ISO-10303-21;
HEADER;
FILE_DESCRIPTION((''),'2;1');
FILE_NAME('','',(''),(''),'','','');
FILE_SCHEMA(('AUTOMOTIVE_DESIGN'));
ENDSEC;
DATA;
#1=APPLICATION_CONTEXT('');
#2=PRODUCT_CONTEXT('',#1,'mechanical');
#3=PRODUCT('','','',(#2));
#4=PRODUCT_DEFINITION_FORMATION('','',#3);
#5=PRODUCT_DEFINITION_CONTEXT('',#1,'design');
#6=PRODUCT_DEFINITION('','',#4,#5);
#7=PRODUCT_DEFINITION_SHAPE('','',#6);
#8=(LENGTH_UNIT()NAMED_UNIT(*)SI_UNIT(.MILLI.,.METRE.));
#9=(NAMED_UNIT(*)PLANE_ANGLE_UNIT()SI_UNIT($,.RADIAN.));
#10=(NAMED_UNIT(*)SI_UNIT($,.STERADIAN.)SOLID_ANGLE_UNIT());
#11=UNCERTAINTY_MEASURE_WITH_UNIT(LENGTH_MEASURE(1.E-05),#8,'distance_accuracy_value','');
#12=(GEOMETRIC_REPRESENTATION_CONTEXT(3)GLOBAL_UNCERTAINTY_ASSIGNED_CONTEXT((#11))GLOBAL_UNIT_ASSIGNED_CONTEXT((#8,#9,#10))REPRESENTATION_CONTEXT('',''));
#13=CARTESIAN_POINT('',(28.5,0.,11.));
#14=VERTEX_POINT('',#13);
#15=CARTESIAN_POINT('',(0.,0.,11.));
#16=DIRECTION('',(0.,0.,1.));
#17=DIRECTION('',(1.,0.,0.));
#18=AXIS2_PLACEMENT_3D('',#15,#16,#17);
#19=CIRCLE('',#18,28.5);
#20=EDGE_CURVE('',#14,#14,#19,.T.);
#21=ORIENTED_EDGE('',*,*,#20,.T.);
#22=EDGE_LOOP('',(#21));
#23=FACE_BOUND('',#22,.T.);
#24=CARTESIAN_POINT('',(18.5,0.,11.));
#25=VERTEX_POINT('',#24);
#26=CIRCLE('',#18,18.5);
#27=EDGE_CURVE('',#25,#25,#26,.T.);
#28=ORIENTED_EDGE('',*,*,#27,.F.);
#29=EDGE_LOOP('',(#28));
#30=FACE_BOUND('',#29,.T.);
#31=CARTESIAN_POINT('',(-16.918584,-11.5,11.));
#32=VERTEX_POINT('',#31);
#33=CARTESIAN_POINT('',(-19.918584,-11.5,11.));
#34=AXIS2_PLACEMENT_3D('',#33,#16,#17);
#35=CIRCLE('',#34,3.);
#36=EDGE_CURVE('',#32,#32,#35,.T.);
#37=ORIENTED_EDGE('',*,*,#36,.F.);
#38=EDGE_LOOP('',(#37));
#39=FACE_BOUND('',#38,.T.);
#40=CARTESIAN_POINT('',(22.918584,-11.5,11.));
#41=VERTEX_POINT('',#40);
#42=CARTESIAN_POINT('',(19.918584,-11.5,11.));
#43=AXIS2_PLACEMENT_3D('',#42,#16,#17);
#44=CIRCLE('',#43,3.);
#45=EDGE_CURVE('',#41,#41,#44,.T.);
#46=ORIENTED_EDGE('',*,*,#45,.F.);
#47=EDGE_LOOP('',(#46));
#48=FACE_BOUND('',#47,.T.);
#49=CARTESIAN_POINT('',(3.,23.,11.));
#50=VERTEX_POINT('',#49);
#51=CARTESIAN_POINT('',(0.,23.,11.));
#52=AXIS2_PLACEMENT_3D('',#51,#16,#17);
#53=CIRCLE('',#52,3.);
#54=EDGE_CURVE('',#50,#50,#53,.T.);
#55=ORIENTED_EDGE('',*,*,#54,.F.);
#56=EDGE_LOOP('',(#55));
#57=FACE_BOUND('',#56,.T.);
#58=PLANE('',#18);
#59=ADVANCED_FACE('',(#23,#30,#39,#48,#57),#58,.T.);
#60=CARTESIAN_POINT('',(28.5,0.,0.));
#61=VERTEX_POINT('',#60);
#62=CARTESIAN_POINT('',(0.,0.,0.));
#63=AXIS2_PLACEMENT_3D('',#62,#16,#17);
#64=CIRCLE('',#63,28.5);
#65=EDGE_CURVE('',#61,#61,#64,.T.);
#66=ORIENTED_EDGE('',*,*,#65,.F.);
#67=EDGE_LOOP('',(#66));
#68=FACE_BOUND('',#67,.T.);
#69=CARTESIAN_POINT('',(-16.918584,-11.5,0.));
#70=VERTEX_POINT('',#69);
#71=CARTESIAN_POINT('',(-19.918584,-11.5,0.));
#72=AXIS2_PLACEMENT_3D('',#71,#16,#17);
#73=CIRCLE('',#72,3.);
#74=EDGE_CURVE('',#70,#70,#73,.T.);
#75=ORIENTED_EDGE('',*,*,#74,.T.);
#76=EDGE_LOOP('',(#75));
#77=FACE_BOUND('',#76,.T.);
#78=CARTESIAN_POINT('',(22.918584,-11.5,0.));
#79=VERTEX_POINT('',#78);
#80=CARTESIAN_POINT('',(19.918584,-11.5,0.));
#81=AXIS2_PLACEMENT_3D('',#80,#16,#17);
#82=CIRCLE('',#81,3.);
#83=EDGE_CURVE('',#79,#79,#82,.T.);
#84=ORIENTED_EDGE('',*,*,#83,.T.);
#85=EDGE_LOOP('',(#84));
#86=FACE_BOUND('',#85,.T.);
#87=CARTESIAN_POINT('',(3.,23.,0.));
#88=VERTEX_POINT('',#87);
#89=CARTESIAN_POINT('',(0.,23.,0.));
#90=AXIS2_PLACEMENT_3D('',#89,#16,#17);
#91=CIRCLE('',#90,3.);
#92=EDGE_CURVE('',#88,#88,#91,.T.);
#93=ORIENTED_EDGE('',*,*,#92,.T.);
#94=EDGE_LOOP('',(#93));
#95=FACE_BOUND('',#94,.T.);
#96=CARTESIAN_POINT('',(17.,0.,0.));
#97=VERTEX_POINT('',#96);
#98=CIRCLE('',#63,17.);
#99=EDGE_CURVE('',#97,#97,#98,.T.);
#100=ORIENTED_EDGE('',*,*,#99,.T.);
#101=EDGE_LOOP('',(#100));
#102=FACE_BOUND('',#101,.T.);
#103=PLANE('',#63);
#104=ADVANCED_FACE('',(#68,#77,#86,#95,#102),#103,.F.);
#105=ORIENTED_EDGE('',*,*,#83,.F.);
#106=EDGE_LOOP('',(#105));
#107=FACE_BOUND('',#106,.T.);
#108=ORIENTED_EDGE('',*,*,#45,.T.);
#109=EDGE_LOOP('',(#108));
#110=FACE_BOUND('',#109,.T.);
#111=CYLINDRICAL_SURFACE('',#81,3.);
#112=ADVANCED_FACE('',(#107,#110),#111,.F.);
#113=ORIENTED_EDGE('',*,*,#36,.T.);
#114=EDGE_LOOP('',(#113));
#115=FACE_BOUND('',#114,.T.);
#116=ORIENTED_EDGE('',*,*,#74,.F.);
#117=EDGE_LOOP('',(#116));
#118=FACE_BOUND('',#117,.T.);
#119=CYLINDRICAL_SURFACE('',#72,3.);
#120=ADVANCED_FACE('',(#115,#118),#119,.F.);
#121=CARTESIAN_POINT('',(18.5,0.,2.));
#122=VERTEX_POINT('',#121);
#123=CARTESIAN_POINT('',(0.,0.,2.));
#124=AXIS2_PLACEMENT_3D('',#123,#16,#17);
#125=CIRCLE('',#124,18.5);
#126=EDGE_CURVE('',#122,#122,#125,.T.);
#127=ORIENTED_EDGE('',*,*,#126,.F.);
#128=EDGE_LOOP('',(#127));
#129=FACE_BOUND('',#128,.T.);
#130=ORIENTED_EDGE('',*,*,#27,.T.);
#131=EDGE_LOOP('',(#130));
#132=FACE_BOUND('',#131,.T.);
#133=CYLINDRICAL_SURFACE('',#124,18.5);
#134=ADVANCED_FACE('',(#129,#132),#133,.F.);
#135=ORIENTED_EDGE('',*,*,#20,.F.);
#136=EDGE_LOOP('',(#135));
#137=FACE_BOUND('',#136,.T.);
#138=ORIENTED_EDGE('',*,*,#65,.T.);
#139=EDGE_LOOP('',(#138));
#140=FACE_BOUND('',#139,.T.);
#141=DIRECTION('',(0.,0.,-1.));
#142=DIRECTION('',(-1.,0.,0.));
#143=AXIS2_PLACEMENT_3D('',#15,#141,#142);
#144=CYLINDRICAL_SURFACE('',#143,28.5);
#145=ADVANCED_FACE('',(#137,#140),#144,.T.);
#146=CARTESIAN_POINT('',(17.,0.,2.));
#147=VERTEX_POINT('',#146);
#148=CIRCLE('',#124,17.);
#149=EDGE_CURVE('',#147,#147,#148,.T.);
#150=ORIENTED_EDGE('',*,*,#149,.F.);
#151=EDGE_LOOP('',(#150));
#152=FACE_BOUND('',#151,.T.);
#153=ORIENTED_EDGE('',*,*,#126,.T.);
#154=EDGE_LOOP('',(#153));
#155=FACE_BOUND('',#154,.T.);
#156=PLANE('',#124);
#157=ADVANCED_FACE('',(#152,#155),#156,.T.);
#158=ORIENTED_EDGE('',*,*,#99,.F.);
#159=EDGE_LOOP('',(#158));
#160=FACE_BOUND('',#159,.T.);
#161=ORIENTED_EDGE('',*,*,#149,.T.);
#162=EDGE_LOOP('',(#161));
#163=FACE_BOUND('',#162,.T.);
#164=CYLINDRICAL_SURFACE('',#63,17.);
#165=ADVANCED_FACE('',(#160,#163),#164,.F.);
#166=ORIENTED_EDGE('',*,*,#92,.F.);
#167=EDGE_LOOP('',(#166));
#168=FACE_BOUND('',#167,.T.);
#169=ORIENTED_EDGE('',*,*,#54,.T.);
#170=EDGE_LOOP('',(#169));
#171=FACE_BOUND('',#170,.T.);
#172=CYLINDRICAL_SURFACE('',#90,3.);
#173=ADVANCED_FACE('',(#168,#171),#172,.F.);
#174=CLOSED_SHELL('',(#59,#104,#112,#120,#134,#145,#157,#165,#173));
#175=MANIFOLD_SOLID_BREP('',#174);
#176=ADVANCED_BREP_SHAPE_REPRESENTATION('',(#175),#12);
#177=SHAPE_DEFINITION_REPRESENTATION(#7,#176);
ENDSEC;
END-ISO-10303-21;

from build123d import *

# Parameters (mm, degrees)
SKETCH_1_R          = 28.5
EXTRUDE_1_DEPTH     = 11
SKETCH_3_R          = 18.5
CUT_EXTRUDE_1_DEPTH = 9
SKETCH_4_R          = 17
CUT_EXTRUDE_2_DEPTH = 3
SKETCH_5_R          = 3
CUT_EXTRUDE_3_DEPTH = 12


with BuildPart() as part:
    # 草图1 → 凸台-拉伸1 (new body)
    with BuildSketch(Plane.XY):
        Circle(SKETCH_1_R)
    extrude(amount=EXTRUDE_1_DEPTH)

    # 草图3 → 切除-拉伸1 (cut)
    with BuildSketch(Plane.XY.offset(11)):
        Circle(SKETCH_3_R)
    extrude(amount=-CUT_EXTRUDE_1_DEPTH, mode=Mode.SUBTRACT)

    # 草图4 → 切除-拉伸2 (cut, through all)
    with BuildSketch(Plane.XY.offset(2)):
        Circle(SKETCH_4_R)
    extrude(amount=-CUT_EXTRUDE_2_DEPTH, mode=Mode.SUBTRACT)

    # 草图5 → 切除-拉伸3 (cut, through all)
    with BuildSketch(Plane.XY.offset(11)):
        with Locations((0, 23)):
            Circle(SKETCH_5_R)
        with Locations((19.918584287, -11.5)):
            Circle(SKETCH_5_R)
        with Locations((-19.918584287, -11.5)):
            Circle(SKETCH_5_R)
    extrude(amount=-CUT_EXTRUDE_3_DEPTH, mode=Mode.SUBTRACT)


solid = part.part
